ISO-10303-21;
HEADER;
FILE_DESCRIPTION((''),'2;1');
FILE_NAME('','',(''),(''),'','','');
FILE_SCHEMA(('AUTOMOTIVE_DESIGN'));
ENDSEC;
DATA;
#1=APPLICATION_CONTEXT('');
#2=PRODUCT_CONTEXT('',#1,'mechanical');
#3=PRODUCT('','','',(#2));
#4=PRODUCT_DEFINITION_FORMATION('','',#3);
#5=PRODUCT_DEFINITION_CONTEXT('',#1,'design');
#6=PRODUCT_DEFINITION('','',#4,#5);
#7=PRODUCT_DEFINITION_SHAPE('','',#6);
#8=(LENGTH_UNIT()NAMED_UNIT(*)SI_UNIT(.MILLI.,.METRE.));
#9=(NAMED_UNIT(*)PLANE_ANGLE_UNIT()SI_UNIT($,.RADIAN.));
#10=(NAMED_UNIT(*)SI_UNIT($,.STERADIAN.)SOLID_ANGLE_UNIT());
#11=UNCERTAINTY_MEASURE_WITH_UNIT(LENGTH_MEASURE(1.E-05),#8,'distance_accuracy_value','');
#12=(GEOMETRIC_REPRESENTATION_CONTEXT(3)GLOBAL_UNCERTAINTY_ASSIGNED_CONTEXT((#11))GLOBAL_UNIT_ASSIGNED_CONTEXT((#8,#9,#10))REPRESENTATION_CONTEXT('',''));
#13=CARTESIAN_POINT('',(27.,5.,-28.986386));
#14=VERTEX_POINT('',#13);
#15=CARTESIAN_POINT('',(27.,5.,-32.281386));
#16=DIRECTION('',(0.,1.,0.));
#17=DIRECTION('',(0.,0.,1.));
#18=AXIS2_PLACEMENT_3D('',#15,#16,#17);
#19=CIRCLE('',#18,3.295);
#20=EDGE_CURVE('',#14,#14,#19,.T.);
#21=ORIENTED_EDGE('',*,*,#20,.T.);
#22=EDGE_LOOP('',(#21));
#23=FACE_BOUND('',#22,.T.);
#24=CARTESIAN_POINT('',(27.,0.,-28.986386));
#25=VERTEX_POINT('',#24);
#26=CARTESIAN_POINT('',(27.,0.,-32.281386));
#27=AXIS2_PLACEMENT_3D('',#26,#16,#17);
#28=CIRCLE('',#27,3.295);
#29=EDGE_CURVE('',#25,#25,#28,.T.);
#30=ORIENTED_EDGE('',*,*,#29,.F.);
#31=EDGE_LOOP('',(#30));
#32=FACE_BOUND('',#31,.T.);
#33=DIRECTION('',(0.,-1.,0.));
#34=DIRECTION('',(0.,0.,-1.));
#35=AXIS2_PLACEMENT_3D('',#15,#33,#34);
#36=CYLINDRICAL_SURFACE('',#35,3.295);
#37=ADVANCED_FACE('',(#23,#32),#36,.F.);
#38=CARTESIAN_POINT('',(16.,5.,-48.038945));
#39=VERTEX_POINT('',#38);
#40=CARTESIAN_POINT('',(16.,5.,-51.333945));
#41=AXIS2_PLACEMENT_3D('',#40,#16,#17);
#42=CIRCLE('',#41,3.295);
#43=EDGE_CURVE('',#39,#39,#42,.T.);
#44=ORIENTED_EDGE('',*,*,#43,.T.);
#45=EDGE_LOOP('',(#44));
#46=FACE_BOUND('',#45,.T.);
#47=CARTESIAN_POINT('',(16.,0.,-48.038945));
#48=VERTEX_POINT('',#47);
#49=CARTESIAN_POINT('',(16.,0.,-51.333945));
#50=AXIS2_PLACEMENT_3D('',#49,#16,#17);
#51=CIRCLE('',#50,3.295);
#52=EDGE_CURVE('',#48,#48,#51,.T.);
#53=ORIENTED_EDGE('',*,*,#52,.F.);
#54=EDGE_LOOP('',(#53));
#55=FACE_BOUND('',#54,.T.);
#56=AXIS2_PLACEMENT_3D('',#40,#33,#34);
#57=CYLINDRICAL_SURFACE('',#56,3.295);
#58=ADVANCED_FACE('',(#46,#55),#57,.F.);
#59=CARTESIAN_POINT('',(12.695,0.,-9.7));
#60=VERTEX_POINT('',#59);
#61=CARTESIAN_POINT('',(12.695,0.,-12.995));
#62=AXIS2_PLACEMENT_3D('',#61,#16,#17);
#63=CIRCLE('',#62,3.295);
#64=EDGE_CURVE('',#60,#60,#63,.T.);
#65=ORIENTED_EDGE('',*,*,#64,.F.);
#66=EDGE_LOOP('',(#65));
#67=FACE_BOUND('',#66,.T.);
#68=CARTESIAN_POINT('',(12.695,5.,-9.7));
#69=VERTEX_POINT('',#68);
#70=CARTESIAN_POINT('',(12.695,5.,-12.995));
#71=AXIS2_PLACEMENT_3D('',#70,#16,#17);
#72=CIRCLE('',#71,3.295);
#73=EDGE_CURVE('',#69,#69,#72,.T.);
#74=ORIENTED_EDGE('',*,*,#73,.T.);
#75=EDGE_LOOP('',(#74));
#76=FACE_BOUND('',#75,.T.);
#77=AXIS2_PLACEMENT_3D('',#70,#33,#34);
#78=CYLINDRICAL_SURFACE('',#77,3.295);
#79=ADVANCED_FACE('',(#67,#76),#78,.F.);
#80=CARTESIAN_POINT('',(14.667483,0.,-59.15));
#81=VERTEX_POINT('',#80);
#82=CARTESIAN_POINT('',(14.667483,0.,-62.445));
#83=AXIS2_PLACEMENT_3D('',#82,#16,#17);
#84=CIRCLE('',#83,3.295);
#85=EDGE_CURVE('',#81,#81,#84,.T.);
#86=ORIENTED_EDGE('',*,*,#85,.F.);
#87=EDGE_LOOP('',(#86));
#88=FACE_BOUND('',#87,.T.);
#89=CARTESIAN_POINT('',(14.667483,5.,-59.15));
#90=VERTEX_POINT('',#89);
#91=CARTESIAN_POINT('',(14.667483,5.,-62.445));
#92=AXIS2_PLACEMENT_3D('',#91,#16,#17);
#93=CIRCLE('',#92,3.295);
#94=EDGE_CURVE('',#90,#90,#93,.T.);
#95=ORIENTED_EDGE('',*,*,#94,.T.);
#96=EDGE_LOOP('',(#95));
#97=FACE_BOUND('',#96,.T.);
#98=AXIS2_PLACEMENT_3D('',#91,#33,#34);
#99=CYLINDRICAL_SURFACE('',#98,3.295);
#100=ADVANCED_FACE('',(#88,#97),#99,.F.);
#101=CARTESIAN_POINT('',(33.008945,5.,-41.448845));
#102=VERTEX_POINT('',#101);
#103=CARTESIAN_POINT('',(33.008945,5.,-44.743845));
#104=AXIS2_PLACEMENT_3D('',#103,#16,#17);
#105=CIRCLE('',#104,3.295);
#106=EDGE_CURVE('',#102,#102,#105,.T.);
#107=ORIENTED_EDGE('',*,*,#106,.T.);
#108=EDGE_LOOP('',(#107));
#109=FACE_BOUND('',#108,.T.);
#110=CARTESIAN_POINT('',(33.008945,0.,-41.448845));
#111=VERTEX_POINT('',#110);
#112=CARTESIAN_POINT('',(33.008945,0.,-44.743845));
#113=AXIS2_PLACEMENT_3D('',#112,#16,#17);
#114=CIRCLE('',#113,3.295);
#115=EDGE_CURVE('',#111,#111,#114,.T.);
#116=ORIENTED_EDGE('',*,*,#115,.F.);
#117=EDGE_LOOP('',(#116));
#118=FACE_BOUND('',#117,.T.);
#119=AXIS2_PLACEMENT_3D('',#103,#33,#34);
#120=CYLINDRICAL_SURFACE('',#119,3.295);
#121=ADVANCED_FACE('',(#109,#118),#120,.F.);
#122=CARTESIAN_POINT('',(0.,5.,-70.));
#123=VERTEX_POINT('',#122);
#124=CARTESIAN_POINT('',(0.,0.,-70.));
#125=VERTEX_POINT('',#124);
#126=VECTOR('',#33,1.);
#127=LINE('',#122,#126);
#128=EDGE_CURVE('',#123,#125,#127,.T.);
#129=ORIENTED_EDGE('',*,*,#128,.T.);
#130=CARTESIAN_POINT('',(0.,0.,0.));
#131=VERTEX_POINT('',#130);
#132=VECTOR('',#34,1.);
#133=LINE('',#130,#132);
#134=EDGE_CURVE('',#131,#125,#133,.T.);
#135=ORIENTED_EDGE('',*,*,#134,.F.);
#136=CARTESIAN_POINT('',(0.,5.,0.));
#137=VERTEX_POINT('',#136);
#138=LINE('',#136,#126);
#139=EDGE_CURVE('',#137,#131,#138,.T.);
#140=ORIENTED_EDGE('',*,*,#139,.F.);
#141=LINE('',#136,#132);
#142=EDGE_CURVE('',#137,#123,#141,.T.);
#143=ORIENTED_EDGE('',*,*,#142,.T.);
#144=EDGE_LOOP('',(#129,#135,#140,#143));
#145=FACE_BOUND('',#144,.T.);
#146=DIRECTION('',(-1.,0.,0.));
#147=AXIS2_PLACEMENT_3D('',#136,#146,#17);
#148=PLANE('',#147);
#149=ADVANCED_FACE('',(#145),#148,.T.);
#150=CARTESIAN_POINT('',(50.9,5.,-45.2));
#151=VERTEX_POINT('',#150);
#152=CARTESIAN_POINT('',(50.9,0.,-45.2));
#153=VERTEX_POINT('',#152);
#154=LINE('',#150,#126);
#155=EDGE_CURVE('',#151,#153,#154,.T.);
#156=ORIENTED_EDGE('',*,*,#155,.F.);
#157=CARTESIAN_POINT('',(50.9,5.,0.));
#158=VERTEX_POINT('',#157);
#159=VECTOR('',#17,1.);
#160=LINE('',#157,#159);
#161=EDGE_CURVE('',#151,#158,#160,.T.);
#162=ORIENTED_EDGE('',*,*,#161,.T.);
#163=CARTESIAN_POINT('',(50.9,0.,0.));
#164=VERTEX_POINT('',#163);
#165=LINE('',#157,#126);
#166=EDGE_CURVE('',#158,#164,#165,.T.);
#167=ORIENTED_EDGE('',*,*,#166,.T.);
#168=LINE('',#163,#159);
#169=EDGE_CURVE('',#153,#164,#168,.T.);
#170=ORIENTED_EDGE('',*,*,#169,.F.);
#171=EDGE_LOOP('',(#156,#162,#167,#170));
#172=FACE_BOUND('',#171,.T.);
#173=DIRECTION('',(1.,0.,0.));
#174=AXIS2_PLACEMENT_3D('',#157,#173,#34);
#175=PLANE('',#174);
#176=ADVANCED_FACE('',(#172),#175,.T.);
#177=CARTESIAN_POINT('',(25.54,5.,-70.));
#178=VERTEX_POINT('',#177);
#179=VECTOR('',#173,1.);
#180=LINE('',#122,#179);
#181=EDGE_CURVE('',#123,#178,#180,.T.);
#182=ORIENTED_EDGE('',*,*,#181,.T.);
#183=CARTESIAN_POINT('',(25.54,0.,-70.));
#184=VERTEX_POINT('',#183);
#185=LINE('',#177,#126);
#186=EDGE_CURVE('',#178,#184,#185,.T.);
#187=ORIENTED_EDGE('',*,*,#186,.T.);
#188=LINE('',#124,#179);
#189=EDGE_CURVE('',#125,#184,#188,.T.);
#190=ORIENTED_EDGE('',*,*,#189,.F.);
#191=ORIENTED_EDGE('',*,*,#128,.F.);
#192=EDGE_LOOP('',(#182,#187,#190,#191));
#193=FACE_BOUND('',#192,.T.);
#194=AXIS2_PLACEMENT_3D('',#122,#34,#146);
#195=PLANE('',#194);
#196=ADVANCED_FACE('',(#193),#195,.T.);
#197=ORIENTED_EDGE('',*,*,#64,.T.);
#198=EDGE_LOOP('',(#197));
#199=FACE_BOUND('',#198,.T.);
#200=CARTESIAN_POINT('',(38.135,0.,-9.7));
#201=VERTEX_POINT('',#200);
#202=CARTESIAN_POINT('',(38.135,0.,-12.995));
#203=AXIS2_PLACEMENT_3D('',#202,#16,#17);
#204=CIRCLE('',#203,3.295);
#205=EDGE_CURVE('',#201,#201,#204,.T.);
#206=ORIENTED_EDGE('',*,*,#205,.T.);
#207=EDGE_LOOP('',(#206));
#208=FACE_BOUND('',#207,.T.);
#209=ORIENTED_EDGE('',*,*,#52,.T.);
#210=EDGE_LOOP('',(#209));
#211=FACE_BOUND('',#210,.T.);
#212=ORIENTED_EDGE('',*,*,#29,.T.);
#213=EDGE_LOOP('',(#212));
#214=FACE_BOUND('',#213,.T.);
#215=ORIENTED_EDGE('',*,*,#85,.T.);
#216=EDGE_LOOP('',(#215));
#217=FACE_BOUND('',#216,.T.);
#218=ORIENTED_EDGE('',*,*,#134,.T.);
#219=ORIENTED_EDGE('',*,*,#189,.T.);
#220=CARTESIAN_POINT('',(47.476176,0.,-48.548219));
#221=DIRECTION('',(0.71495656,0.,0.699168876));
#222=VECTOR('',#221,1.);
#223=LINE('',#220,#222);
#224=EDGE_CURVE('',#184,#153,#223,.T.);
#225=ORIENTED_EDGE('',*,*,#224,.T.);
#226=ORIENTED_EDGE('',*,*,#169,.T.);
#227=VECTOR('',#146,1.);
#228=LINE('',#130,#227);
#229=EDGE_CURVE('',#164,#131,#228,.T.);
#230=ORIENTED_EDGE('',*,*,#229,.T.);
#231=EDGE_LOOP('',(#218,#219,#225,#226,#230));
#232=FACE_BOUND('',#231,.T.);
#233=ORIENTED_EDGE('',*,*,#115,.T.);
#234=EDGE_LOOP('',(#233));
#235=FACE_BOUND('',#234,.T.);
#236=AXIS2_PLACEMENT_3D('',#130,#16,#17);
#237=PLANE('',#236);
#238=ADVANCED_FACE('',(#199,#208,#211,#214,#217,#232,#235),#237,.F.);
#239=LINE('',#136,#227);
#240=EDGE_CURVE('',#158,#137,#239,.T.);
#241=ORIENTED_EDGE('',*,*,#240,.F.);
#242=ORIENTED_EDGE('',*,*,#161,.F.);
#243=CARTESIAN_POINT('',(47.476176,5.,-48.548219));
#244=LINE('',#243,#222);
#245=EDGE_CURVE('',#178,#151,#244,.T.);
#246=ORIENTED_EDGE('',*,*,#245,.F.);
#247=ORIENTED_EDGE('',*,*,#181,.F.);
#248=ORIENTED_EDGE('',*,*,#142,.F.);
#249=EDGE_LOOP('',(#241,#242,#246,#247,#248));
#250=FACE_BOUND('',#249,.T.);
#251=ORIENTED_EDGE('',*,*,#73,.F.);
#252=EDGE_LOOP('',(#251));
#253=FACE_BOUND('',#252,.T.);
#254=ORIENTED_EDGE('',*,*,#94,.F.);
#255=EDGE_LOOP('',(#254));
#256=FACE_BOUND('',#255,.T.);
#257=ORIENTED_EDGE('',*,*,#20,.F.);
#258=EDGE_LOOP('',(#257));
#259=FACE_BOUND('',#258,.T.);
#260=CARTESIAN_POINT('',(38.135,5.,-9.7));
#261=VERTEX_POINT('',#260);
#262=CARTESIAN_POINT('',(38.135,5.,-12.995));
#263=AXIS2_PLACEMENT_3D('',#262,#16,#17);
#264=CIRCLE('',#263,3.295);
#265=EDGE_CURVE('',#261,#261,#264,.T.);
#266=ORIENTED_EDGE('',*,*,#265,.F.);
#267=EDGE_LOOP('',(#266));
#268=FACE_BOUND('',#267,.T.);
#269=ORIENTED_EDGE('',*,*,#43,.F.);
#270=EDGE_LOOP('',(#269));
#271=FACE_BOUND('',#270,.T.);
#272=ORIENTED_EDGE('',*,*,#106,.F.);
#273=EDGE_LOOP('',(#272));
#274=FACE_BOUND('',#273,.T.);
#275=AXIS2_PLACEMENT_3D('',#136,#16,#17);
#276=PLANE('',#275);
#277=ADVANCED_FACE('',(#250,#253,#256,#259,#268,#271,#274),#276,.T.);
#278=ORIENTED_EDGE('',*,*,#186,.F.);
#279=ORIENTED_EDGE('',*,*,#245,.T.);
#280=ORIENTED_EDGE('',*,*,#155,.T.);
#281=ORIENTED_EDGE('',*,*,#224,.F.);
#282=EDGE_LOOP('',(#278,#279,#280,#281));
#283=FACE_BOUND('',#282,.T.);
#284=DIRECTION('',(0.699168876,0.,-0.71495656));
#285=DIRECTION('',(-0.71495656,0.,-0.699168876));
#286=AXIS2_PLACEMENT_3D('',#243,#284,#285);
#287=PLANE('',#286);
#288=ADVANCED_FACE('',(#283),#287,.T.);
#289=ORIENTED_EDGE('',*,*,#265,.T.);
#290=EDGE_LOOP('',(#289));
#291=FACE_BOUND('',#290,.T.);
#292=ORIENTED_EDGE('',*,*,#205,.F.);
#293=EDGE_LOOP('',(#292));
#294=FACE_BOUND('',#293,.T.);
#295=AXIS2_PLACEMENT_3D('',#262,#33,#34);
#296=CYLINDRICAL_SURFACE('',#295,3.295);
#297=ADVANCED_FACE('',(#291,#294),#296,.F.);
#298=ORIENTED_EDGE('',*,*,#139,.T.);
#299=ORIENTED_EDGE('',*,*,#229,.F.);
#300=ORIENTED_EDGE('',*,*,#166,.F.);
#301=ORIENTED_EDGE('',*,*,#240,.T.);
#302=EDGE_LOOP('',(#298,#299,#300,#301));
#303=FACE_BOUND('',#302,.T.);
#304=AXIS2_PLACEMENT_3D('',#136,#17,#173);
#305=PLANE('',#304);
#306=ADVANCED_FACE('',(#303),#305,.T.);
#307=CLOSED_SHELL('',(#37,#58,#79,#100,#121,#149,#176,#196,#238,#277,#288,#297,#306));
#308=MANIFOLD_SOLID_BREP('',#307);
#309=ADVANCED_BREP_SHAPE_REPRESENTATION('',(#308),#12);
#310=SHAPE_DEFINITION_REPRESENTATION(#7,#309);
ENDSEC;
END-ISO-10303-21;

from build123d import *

# Parameters (mm, degrees)
SKETCH1_R           = 3.295
BOSS_EXTRUDE1_DEPTH = 5


with BuildPart() as part:
    # Sketch1 → Boss-Extrude1 (new body)
    with BuildSketch(Plane(origin=(0, 0, 0), x_dir=(1, 0, 0), z_dir=(0, 1, 0))):
        Polygon((0, 0), (0, 70), (25.54, 70), (50.9, 45.2), (50.9, 0), align=None)
        with Locations((14.667483235, 62.445)):
            Circle(SKETCH1_R, mode=Mode.SUBTRACT)
        with Locations((33.008944764, 44.743844982)):
            Circle(SKETCH1_R, mode=Mode.SUBTRACT)
        with Locations((12.695, 12.995)):
            Circle(SKETCH1_R, mode=Mode.SUBTRACT)
        with Locations((38.135, 12.995)):
            Circle(SKETCH1_R, mode=Mode.SUBTRACT)
        with Locations((16, 51.333944626)):
            Circle(SKETCH1_R, mode=Mode.SUBTRACT)
        with Locations((27, 32.281385742)):
            Circle(SKETCH1_R, mode=Mode.SUBTRACT)
    extrude(amount=BOSS_EXTRUDE1_DEPTH)


solid = part.part
